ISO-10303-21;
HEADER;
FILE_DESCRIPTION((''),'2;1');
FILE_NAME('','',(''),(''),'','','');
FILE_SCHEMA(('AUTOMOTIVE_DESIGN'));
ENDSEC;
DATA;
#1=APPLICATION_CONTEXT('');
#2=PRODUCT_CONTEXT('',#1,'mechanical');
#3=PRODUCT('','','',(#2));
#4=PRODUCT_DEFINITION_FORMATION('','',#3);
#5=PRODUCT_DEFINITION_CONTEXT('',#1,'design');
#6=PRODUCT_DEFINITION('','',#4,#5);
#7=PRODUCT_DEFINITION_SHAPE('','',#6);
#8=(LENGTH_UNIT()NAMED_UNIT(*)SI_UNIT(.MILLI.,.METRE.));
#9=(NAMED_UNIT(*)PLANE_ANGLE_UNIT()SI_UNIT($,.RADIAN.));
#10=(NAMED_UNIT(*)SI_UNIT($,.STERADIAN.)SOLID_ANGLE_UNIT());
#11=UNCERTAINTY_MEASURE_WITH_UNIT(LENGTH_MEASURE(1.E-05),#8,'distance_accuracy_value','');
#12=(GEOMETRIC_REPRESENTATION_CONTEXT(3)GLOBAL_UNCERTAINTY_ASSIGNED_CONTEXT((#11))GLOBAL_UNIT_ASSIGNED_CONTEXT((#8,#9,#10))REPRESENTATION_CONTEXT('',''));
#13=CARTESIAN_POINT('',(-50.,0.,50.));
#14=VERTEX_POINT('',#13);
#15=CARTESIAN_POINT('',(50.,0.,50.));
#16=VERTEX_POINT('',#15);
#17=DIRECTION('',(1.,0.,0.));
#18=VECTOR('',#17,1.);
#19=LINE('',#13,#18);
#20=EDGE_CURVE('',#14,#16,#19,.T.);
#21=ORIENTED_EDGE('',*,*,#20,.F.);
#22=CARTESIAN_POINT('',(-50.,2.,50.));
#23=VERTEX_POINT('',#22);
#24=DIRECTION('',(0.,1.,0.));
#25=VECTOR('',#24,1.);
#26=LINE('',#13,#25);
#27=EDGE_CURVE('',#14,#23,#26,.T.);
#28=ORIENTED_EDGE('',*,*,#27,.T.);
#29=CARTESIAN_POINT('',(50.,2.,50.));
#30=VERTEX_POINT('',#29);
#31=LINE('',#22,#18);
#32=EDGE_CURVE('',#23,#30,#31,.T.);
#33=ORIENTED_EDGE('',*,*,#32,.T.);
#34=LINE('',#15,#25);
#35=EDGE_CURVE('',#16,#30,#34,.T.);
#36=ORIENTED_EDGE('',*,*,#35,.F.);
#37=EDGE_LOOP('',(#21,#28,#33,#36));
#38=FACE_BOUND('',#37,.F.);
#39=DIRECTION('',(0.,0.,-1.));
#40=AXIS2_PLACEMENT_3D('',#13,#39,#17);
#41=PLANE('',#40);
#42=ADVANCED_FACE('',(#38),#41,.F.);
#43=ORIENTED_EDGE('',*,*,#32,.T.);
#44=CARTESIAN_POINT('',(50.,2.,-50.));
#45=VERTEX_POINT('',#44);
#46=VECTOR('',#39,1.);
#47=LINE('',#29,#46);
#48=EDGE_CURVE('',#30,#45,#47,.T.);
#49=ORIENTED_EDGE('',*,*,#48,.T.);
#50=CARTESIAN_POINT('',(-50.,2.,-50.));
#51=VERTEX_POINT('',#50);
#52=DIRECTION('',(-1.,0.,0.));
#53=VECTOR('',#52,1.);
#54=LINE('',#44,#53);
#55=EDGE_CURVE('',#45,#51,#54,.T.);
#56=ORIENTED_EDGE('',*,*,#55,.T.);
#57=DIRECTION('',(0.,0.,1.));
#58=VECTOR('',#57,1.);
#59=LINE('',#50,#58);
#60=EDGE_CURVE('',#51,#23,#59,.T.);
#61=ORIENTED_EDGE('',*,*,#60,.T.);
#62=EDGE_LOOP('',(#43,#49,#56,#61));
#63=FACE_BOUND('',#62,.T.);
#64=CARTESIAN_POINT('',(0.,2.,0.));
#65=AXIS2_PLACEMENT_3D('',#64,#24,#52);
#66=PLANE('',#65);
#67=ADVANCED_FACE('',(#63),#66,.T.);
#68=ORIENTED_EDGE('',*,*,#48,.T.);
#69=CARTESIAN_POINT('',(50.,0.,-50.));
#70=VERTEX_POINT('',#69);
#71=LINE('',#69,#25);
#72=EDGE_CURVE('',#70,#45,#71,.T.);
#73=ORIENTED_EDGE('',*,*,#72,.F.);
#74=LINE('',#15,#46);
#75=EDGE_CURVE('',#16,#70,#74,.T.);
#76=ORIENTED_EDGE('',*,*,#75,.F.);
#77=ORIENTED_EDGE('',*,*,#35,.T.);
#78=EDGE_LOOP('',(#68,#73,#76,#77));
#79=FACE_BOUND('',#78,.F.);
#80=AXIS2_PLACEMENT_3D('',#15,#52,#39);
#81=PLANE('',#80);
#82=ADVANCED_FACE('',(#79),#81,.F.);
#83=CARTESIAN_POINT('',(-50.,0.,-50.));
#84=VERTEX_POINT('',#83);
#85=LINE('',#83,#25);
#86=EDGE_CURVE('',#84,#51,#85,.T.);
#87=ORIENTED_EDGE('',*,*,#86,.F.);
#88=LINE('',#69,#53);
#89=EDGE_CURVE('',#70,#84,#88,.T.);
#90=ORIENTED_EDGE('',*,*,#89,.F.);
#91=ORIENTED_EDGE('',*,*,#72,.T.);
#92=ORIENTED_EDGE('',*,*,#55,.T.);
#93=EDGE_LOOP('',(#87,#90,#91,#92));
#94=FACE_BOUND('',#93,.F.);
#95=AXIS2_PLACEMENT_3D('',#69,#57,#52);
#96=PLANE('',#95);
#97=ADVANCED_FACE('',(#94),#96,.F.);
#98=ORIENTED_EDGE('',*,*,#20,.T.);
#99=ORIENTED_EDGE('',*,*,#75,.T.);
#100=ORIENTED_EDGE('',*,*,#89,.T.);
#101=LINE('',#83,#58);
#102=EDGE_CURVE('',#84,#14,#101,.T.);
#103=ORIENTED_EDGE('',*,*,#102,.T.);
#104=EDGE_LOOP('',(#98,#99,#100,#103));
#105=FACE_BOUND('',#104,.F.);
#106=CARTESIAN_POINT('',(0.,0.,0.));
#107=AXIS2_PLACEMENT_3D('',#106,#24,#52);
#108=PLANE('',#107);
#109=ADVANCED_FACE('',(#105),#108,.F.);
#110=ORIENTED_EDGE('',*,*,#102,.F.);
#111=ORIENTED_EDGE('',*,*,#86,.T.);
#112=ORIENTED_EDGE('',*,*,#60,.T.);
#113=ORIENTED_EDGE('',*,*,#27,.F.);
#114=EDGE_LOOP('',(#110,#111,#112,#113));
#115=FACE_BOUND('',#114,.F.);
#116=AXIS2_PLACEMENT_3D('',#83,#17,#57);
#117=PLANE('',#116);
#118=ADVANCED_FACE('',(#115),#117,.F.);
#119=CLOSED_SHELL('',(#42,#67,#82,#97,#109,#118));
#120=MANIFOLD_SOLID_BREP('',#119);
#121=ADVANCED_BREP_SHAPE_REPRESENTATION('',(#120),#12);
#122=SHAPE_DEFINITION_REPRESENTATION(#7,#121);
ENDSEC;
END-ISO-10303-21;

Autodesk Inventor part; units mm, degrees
ref_plane "YZ Plane" through (0, 0, 0) normal (1, 0, 0) x (0, 1, 0)
ref_plane "XZ Plane" through (0, 0, 0) normal (0, 1, 0) x (-1, 0, 0)
ref_plane "XY Plane" through (0, 0, 0) normal (0, 0, 1) x (1, 0, 0)
sketch "Sketch1" plane through (0, 0, 0) normal (0, 1, 0) x (-1, 0, 0)
  line L0 (50, 50) -> (-50, 50)
  line L1 (-50, 50) -> (-50, -50)
  line L2 (-50, -50) -> (50, -50)
  line L3 (50, -50) -> (50, 50)
  line L4 (50, 50) -> (-50, -50) construction
  line L5 (-50, 50) -> (50, -50) construction
  point P0 (0, 0)
  dimension "d0" = 100
  dimension "d1" = 100
extrude "Extrusion1" add sketch "Sketch1" along normal blind 2
properties part number "apriltag_foot"
